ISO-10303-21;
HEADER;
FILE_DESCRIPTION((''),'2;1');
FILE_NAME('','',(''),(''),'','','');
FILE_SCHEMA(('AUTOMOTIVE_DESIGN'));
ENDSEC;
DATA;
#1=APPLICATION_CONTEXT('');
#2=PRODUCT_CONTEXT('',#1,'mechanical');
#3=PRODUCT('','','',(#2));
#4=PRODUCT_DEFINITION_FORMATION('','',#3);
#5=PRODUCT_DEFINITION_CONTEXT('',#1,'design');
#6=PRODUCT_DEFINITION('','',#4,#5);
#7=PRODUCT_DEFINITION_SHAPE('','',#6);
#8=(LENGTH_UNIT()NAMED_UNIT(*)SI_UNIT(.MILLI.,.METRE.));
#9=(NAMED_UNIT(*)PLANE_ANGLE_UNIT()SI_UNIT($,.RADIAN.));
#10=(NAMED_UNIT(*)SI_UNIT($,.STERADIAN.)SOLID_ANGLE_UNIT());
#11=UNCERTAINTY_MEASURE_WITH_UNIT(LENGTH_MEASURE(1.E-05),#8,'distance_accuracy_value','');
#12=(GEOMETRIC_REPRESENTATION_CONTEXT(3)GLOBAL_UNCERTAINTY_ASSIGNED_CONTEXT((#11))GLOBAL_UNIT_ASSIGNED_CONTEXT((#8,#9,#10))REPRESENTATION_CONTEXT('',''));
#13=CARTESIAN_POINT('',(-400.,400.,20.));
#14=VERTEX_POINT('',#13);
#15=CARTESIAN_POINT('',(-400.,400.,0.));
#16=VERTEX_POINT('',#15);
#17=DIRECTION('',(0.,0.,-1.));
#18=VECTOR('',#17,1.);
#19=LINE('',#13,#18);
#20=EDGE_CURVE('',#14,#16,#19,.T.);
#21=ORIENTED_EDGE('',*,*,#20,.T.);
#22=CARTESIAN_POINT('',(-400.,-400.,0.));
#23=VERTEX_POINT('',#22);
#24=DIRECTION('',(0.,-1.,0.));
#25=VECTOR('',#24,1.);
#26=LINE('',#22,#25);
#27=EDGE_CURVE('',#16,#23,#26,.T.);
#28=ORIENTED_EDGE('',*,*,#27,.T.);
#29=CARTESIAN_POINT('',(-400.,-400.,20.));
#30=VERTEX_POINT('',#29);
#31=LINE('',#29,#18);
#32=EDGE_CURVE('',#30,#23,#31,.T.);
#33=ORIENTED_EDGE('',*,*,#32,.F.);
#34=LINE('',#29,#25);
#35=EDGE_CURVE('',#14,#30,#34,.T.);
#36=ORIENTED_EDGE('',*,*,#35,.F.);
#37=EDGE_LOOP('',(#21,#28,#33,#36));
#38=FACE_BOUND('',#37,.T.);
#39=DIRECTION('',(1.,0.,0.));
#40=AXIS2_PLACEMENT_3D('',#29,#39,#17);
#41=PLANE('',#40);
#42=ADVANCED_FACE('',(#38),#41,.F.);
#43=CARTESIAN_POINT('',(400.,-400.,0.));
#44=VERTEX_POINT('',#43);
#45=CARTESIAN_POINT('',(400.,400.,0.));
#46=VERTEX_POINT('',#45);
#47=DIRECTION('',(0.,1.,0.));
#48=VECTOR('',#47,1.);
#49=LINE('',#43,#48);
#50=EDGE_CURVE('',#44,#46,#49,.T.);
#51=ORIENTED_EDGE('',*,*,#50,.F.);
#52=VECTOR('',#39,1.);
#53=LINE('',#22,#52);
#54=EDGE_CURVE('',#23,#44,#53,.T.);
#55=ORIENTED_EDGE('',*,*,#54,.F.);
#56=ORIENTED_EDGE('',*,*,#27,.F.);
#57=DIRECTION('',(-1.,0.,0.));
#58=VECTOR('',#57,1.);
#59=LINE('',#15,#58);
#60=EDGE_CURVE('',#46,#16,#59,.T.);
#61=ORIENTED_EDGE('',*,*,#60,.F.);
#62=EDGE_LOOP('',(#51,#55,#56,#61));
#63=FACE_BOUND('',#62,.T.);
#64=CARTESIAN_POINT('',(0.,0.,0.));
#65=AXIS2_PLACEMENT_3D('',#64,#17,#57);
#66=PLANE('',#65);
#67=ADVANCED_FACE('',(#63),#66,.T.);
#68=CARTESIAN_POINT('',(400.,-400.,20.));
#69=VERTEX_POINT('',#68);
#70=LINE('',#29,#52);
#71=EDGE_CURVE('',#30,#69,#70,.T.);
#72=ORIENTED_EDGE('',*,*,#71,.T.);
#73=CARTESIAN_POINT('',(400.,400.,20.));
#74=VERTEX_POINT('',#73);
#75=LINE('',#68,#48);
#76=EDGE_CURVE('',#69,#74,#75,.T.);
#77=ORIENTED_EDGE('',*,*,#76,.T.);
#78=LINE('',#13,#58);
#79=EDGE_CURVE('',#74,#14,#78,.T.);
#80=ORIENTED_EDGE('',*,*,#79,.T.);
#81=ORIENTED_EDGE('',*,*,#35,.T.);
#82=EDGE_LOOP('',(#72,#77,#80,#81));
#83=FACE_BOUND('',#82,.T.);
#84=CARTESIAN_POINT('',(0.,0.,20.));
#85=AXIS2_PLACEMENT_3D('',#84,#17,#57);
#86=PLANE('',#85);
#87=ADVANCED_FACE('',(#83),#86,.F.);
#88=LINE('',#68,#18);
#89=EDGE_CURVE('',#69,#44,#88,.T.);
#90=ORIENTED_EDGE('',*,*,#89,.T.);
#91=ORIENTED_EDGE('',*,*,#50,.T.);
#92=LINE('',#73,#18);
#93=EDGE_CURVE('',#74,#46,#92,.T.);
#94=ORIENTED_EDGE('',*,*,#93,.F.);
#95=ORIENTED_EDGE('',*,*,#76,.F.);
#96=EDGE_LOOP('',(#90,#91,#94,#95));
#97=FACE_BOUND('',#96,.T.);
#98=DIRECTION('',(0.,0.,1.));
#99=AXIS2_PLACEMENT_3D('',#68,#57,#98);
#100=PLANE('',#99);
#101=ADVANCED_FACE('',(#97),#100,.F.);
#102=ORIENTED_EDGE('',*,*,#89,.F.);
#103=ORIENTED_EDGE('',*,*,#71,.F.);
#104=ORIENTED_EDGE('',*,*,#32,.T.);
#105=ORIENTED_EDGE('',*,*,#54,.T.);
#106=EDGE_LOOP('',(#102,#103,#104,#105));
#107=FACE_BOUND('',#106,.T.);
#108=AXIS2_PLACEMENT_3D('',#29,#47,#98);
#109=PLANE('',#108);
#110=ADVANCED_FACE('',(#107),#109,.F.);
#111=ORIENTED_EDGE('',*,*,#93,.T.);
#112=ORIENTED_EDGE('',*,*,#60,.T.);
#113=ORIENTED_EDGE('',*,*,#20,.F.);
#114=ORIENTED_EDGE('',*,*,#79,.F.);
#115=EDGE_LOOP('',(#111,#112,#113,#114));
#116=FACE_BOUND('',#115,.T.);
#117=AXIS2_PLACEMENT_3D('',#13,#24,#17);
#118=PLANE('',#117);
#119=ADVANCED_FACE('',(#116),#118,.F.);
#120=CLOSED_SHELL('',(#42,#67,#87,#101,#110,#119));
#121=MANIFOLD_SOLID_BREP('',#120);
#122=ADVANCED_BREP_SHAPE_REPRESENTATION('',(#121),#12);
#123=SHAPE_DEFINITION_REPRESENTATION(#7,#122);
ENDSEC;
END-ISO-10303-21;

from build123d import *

# Parameters (mm, degrees)
SKETCH2_W           = 800
SKETCH2_H           = 800
BOSS_EXTRUDE1_DEPTH = 20


with BuildPart() as part:
    # Sketch2 → Boss-Extrude1 (new body)
    with BuildSketch(Plane.XY):
        Rectangle(SKETCH2_W, SKETCH2_H)
    extrude(amount=BOSS_EXTRUDE1_DEPTH)


solid = part.part
